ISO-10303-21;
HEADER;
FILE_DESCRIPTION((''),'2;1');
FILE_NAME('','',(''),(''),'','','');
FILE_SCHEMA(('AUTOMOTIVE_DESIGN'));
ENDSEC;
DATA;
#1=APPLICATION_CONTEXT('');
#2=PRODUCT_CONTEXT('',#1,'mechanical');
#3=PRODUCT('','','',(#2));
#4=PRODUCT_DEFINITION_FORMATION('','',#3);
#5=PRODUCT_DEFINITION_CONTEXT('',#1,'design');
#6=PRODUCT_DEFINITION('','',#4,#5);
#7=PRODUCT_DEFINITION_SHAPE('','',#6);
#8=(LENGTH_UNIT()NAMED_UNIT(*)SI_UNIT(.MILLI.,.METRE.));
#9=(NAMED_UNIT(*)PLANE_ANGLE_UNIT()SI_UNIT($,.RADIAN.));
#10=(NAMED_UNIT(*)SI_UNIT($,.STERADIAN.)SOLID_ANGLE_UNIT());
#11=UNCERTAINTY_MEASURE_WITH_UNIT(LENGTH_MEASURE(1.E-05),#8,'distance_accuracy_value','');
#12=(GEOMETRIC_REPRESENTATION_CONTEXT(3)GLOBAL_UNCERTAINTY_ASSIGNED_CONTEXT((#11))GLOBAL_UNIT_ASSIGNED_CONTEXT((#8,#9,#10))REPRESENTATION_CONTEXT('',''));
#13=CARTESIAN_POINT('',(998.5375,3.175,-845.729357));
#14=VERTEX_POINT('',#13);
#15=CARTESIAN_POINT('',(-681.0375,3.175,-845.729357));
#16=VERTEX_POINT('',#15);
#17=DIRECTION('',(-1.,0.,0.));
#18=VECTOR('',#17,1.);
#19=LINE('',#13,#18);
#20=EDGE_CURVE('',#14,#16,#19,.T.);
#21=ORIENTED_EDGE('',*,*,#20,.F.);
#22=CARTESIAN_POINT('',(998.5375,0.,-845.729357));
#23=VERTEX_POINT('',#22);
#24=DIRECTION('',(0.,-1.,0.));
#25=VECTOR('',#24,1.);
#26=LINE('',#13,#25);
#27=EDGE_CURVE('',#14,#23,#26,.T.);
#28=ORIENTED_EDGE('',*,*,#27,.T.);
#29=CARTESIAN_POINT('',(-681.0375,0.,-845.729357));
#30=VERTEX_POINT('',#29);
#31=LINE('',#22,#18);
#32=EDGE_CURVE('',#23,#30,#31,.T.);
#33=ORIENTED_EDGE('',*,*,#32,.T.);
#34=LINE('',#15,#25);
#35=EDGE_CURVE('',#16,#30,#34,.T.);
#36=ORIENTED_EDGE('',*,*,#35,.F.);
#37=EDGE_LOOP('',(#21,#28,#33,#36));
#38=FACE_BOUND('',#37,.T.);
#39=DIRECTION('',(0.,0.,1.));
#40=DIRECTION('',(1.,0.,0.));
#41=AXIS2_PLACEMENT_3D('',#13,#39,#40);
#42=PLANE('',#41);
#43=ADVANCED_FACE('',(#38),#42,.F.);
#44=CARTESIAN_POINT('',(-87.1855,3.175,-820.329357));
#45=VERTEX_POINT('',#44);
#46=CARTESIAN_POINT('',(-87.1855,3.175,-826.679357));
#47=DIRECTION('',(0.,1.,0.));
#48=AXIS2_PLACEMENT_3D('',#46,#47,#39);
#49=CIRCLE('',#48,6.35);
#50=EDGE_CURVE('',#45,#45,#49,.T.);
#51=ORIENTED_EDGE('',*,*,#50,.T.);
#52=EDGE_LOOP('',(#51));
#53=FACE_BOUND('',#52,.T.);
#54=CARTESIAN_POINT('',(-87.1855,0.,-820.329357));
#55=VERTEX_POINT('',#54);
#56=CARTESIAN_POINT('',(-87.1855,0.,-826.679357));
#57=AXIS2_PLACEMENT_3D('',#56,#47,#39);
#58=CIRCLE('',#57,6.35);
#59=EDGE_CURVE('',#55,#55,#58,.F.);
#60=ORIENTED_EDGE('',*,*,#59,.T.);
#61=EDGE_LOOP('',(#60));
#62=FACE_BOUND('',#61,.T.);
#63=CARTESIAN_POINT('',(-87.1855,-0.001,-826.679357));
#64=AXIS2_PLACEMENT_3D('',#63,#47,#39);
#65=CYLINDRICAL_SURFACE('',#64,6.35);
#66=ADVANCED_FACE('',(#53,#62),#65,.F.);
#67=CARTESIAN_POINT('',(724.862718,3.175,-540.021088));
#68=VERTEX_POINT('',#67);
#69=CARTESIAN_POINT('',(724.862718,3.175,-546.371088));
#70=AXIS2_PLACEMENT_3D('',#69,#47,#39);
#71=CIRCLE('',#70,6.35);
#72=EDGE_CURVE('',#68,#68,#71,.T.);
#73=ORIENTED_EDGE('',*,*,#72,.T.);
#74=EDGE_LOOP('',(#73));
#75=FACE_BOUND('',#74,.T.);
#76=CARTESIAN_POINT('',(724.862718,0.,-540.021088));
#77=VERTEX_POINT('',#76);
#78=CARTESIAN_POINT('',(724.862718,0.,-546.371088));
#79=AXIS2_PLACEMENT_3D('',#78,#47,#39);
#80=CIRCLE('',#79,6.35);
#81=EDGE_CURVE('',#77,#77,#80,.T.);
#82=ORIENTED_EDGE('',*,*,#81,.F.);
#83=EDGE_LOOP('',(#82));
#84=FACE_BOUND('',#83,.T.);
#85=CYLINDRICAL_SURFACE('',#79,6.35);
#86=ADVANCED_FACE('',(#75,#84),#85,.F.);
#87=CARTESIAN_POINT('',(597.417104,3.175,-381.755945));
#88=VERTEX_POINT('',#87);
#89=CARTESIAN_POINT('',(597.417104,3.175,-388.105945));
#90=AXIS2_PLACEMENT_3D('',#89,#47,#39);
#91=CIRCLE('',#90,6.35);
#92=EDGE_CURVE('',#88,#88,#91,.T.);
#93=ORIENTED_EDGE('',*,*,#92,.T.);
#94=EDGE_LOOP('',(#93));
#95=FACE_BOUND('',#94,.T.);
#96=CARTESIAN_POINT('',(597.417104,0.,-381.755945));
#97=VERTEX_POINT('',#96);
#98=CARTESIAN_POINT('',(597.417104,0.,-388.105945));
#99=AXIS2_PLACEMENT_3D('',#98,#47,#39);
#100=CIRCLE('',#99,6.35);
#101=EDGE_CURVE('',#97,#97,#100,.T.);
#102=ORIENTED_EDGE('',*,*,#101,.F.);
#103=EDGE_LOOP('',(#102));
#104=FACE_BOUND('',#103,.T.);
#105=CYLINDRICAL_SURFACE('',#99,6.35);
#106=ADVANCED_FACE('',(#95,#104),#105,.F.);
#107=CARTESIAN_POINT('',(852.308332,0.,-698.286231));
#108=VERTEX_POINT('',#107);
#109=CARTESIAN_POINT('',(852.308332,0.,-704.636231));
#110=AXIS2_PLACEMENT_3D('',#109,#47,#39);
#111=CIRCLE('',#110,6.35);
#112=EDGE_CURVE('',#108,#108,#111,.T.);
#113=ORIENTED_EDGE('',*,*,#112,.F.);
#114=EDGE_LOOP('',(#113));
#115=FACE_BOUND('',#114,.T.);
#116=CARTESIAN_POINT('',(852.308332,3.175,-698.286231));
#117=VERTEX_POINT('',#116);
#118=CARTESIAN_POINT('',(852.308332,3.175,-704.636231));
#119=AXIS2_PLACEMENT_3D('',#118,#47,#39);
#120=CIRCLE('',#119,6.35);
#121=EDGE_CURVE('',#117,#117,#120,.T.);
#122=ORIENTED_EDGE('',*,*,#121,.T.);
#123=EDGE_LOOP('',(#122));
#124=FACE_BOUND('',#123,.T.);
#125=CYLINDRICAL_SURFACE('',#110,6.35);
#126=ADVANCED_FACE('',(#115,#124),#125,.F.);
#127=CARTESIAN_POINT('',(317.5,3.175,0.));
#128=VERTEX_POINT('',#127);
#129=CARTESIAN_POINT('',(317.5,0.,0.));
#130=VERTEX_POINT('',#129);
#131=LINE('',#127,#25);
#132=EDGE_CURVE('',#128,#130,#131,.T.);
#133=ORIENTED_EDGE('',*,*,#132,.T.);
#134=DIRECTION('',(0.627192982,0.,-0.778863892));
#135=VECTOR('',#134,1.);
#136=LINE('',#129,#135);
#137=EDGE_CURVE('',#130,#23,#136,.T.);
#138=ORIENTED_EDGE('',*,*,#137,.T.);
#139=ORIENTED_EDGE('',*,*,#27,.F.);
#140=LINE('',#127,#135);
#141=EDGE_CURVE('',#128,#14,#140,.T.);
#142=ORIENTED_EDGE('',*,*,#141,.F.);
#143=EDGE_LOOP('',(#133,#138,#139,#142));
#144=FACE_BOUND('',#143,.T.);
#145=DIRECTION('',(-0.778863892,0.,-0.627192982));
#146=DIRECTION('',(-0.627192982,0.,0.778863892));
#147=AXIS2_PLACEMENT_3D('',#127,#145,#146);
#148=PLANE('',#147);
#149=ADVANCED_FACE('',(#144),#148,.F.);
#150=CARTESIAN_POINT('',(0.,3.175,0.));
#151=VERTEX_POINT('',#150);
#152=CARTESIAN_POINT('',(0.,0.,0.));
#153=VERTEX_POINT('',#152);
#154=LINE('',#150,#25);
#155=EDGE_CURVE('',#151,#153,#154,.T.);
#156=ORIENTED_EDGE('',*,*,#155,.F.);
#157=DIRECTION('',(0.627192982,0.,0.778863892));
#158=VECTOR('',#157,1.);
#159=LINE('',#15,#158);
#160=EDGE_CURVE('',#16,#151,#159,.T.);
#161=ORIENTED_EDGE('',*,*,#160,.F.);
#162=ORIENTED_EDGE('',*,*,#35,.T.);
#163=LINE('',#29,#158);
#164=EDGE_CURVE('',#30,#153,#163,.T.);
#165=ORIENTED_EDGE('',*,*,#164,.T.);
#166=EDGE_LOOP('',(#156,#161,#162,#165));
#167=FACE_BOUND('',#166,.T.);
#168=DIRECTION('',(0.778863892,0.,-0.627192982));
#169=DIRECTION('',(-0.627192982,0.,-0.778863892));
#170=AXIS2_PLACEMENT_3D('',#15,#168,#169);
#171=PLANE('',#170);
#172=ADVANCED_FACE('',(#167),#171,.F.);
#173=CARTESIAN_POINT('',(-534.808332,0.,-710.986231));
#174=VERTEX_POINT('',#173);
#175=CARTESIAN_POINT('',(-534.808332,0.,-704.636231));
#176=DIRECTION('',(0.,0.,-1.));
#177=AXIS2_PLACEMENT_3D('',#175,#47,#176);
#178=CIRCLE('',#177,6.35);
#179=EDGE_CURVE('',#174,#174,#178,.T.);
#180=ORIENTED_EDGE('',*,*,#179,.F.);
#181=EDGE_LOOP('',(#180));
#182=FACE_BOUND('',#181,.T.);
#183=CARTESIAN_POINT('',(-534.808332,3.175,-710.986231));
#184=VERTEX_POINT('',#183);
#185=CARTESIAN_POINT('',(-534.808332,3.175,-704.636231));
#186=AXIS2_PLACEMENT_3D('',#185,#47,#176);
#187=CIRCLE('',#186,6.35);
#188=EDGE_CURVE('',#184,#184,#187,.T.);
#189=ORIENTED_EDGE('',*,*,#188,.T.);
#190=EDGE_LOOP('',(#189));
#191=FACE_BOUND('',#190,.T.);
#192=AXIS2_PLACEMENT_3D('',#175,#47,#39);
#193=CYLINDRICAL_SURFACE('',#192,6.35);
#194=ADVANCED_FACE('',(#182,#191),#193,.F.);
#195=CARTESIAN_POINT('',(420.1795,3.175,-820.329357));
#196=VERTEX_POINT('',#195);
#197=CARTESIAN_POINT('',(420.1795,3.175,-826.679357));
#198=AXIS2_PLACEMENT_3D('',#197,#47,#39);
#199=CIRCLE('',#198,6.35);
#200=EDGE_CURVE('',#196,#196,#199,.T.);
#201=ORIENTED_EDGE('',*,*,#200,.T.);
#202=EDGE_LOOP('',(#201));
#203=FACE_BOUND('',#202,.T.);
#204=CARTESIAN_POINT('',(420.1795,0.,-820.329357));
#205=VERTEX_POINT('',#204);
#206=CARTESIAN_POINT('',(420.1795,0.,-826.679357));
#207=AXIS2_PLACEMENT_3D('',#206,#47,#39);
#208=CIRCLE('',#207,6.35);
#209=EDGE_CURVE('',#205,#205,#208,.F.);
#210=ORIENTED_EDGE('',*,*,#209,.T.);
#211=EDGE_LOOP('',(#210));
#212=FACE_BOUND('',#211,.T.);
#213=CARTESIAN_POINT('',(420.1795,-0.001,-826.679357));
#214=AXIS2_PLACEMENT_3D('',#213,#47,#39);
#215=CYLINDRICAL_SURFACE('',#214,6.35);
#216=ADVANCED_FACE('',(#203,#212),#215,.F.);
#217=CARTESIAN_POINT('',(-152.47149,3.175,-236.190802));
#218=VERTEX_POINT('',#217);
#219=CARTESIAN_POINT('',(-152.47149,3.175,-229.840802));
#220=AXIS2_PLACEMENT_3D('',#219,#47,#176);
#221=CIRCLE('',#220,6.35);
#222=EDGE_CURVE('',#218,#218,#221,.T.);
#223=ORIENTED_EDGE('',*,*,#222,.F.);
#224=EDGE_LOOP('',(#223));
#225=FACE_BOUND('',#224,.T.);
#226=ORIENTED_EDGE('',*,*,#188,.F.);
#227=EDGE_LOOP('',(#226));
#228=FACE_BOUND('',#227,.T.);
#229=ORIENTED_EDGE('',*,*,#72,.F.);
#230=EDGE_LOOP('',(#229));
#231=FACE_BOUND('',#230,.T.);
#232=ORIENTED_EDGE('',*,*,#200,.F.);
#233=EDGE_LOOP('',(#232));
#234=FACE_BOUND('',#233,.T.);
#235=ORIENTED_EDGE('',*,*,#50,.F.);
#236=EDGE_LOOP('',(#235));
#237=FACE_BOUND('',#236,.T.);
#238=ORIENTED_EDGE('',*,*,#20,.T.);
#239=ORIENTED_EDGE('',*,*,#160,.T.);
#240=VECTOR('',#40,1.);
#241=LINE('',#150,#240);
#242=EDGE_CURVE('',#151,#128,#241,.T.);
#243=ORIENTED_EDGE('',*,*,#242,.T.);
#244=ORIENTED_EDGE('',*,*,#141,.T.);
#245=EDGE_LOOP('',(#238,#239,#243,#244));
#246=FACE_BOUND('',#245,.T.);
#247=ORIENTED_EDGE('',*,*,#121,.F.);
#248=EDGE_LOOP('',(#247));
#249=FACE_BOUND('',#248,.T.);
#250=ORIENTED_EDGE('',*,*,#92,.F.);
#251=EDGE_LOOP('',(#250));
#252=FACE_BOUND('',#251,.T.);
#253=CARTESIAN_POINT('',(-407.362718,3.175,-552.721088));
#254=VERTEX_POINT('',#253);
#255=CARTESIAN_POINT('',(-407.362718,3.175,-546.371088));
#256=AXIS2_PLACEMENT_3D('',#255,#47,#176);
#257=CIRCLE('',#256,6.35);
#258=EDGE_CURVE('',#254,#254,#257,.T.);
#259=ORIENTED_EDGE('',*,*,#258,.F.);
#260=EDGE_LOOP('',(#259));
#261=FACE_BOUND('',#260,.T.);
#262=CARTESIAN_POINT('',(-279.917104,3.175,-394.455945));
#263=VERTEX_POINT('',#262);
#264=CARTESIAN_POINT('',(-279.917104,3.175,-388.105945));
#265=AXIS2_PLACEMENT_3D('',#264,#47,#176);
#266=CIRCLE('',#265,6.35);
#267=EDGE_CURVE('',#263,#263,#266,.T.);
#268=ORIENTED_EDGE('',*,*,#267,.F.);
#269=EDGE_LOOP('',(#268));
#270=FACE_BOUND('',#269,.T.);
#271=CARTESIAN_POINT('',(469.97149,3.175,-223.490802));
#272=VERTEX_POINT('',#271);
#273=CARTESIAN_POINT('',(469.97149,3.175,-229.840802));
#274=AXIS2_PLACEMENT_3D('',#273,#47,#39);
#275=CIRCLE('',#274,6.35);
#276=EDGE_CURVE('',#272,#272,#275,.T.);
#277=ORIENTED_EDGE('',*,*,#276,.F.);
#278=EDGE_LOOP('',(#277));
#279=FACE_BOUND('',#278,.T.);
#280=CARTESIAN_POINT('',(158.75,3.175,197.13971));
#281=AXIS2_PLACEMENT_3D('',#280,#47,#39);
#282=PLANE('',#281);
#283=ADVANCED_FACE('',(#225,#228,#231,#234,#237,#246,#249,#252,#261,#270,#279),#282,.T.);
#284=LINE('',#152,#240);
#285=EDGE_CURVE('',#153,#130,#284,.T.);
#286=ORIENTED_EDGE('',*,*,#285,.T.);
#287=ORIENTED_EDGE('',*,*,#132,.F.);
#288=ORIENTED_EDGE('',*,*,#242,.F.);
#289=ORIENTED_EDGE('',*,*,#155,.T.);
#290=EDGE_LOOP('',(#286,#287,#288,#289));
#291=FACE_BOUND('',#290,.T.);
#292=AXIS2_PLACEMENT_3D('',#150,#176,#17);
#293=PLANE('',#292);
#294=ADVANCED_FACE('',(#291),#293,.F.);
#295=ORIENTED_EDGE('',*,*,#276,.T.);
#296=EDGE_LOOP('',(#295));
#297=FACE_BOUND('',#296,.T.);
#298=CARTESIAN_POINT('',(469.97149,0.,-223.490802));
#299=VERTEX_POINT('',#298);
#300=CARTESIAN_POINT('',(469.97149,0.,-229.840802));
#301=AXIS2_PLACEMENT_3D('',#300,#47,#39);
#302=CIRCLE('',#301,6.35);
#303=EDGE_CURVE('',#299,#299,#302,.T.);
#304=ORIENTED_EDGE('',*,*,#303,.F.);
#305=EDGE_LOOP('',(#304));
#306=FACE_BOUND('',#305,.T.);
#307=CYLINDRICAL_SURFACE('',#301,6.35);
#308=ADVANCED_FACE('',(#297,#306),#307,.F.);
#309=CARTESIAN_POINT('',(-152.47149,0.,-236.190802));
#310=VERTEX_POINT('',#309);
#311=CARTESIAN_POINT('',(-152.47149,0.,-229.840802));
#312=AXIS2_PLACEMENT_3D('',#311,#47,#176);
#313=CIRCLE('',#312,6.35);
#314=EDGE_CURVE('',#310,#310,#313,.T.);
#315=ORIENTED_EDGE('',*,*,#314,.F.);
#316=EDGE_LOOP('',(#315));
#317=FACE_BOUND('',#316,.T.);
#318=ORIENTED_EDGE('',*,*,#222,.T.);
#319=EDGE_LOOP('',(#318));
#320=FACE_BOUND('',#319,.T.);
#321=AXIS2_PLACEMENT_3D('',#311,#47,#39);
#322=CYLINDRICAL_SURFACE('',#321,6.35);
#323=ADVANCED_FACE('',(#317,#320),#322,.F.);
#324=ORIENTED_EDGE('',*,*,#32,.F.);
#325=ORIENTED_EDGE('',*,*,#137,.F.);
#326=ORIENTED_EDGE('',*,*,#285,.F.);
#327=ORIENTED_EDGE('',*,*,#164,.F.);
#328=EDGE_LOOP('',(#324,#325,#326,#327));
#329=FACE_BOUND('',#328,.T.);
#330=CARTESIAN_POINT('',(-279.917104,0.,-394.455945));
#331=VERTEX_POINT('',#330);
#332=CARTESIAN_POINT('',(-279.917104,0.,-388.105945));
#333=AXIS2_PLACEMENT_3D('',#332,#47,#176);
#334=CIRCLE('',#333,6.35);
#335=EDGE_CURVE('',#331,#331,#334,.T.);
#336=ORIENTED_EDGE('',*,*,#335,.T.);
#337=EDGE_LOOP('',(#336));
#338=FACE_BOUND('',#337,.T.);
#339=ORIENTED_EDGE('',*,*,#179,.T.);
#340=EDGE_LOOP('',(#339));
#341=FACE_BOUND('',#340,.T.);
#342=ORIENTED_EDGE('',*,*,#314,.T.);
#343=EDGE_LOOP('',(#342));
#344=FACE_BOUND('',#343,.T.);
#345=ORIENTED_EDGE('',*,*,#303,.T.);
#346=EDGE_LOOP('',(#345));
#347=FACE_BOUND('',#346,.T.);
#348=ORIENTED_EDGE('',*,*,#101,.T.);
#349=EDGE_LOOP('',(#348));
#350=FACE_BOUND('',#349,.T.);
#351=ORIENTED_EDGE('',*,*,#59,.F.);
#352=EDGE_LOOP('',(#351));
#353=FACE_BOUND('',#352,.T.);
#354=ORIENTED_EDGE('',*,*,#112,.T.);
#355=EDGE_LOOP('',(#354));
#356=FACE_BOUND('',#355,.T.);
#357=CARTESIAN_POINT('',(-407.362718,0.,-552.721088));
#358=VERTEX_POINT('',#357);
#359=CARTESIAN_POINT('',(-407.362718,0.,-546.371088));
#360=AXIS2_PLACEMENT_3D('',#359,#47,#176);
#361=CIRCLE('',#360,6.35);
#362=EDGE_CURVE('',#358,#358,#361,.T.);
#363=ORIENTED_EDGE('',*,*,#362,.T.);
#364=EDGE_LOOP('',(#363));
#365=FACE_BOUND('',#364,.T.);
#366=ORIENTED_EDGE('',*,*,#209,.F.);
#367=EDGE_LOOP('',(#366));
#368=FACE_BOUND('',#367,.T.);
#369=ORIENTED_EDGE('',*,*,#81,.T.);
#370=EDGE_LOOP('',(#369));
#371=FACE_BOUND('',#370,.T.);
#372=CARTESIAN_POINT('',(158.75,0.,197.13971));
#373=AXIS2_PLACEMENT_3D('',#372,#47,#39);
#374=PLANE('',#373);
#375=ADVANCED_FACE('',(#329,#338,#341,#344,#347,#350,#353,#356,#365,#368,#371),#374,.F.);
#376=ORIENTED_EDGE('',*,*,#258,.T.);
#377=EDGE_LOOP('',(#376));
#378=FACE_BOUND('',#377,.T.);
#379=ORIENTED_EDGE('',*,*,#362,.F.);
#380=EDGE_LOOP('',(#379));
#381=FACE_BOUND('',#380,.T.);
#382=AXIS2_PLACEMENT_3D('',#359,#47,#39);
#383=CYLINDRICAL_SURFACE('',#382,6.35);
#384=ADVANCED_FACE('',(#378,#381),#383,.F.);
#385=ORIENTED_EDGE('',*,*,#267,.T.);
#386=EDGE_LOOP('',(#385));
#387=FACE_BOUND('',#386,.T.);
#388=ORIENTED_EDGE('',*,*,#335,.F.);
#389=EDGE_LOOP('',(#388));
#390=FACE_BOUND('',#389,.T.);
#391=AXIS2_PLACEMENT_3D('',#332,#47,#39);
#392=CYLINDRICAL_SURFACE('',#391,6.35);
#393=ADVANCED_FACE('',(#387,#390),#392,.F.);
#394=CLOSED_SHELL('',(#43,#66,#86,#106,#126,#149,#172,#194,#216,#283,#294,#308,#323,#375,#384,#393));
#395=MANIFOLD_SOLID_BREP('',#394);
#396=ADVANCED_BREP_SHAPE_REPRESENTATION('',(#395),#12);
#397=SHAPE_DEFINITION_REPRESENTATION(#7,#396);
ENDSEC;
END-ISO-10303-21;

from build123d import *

# Parameters (mm, degrees)
BOSS_EXTRUDE1_DEPTH = 3.175
CUT_EXTRUDE1_REACH  = 5.175
SKETCH2_R           = 6.35
SKETCH4_R           = 6.35
CUT_EXTRUDE2_DEPTH  = 4.175


with BuildPart() as part:
    # Sketch1 → Boss-Extrude1 (new body)
    with BuildSketch(Plane(origin=(0, 0, 0), x_dir=(1, 0, 0), z_dir=(0, 1, 0))):
        Polygon((0, 0), (317.5, 0), (998.5375, 845.729357474), (-681.0375, 845.729357474), align=None)
    extrude(amount=BOSS_EXTRUDE1_DEPTH)

    # Sketch2 → Cut-Extrude1 (cut, up to next)
    with BuildSketch(Plane(origin=(0, 3.175, 0), x_dir=(-1, 0, 0), z_dir=(0, 1, 0)), mode=Mode.PRIVATE) as cut_extrude1_sk1:
        with Locations((87.1855, -826.679357474)):
            Circle(SKETCH2_R)
    cut_extrude1_tool1 = extrude(cut_extrude1_sk1.sketch, amount=-CUT_EXTRUDE1_REACH, mode=Mode.PRIVATE) & part.part
    add(cut_extrude1_tool1.solids().sort_by_distance((-87.1855, 3.175, -826.679357))[0], mode=Mode.SUBTRACT)
    # Sketch2 → Cut-Extrude1 (cut, up to next)
    with BuildSketch(Plane(origin=(0, 3.175, 0), x_dir=(-1, 0, 0), z_dir=(0, 1, 0)), mode=Mode.PRIVATE) as cut_extrude1_sk2:
        with Locations((-420.1795, -826.679357474)):
            Circle(SKETCH2_R)
    cut_extrude1_tool2 = extrude(cut_extrude1_sk2.sketch, amount=-CUT_EXTRUDE1_REACH, mode=Mode.PRIVATE) & part.part
    add(cut_extrude1_tool2.solids().sort_by_distance((420.1795, 3.175, -826.679357))[0], mode=Mode.SUBTRACT)

    # Sketch4 → Cut-Extrude2 (cut, through all)
    with BuildSketch(Plane(origin=(0, 3.175, 0), x_dir=(1, 0, 0), z_dir=(0, 1, 0))):
        with Locations((852.308331977, 704.636230713)):
            Circle(SKETCH4_R)
        with Locations((469.971489871, 229.840801956)):
            Circle(SKETCH4_R)
        with Locations((724.862717941, 546.371087794)):
            Circle(SKETCH4_R)
        with Locations((597.417103906, 388.105944875)):
            Circle(SKETCH4_R)
        with Locations((-534.808331977, 704.636230713)):
            Circle(SKETCH4_R)
        with Locations((-407.362717941, 546.371087794)):
            Circle(SKETCH4_R)
        with Locations((-279.917103906, 388.105944875)):
            Circle(SKETCH4_R)
        with Locations((-152.471489871, 229.840801956)):
            Circle(SKETCH4_R)
    extrude(amount=-CUT_EXTRUDE2_DEPTH, mode=Mode.SUBTRACT)


solid = part.part
